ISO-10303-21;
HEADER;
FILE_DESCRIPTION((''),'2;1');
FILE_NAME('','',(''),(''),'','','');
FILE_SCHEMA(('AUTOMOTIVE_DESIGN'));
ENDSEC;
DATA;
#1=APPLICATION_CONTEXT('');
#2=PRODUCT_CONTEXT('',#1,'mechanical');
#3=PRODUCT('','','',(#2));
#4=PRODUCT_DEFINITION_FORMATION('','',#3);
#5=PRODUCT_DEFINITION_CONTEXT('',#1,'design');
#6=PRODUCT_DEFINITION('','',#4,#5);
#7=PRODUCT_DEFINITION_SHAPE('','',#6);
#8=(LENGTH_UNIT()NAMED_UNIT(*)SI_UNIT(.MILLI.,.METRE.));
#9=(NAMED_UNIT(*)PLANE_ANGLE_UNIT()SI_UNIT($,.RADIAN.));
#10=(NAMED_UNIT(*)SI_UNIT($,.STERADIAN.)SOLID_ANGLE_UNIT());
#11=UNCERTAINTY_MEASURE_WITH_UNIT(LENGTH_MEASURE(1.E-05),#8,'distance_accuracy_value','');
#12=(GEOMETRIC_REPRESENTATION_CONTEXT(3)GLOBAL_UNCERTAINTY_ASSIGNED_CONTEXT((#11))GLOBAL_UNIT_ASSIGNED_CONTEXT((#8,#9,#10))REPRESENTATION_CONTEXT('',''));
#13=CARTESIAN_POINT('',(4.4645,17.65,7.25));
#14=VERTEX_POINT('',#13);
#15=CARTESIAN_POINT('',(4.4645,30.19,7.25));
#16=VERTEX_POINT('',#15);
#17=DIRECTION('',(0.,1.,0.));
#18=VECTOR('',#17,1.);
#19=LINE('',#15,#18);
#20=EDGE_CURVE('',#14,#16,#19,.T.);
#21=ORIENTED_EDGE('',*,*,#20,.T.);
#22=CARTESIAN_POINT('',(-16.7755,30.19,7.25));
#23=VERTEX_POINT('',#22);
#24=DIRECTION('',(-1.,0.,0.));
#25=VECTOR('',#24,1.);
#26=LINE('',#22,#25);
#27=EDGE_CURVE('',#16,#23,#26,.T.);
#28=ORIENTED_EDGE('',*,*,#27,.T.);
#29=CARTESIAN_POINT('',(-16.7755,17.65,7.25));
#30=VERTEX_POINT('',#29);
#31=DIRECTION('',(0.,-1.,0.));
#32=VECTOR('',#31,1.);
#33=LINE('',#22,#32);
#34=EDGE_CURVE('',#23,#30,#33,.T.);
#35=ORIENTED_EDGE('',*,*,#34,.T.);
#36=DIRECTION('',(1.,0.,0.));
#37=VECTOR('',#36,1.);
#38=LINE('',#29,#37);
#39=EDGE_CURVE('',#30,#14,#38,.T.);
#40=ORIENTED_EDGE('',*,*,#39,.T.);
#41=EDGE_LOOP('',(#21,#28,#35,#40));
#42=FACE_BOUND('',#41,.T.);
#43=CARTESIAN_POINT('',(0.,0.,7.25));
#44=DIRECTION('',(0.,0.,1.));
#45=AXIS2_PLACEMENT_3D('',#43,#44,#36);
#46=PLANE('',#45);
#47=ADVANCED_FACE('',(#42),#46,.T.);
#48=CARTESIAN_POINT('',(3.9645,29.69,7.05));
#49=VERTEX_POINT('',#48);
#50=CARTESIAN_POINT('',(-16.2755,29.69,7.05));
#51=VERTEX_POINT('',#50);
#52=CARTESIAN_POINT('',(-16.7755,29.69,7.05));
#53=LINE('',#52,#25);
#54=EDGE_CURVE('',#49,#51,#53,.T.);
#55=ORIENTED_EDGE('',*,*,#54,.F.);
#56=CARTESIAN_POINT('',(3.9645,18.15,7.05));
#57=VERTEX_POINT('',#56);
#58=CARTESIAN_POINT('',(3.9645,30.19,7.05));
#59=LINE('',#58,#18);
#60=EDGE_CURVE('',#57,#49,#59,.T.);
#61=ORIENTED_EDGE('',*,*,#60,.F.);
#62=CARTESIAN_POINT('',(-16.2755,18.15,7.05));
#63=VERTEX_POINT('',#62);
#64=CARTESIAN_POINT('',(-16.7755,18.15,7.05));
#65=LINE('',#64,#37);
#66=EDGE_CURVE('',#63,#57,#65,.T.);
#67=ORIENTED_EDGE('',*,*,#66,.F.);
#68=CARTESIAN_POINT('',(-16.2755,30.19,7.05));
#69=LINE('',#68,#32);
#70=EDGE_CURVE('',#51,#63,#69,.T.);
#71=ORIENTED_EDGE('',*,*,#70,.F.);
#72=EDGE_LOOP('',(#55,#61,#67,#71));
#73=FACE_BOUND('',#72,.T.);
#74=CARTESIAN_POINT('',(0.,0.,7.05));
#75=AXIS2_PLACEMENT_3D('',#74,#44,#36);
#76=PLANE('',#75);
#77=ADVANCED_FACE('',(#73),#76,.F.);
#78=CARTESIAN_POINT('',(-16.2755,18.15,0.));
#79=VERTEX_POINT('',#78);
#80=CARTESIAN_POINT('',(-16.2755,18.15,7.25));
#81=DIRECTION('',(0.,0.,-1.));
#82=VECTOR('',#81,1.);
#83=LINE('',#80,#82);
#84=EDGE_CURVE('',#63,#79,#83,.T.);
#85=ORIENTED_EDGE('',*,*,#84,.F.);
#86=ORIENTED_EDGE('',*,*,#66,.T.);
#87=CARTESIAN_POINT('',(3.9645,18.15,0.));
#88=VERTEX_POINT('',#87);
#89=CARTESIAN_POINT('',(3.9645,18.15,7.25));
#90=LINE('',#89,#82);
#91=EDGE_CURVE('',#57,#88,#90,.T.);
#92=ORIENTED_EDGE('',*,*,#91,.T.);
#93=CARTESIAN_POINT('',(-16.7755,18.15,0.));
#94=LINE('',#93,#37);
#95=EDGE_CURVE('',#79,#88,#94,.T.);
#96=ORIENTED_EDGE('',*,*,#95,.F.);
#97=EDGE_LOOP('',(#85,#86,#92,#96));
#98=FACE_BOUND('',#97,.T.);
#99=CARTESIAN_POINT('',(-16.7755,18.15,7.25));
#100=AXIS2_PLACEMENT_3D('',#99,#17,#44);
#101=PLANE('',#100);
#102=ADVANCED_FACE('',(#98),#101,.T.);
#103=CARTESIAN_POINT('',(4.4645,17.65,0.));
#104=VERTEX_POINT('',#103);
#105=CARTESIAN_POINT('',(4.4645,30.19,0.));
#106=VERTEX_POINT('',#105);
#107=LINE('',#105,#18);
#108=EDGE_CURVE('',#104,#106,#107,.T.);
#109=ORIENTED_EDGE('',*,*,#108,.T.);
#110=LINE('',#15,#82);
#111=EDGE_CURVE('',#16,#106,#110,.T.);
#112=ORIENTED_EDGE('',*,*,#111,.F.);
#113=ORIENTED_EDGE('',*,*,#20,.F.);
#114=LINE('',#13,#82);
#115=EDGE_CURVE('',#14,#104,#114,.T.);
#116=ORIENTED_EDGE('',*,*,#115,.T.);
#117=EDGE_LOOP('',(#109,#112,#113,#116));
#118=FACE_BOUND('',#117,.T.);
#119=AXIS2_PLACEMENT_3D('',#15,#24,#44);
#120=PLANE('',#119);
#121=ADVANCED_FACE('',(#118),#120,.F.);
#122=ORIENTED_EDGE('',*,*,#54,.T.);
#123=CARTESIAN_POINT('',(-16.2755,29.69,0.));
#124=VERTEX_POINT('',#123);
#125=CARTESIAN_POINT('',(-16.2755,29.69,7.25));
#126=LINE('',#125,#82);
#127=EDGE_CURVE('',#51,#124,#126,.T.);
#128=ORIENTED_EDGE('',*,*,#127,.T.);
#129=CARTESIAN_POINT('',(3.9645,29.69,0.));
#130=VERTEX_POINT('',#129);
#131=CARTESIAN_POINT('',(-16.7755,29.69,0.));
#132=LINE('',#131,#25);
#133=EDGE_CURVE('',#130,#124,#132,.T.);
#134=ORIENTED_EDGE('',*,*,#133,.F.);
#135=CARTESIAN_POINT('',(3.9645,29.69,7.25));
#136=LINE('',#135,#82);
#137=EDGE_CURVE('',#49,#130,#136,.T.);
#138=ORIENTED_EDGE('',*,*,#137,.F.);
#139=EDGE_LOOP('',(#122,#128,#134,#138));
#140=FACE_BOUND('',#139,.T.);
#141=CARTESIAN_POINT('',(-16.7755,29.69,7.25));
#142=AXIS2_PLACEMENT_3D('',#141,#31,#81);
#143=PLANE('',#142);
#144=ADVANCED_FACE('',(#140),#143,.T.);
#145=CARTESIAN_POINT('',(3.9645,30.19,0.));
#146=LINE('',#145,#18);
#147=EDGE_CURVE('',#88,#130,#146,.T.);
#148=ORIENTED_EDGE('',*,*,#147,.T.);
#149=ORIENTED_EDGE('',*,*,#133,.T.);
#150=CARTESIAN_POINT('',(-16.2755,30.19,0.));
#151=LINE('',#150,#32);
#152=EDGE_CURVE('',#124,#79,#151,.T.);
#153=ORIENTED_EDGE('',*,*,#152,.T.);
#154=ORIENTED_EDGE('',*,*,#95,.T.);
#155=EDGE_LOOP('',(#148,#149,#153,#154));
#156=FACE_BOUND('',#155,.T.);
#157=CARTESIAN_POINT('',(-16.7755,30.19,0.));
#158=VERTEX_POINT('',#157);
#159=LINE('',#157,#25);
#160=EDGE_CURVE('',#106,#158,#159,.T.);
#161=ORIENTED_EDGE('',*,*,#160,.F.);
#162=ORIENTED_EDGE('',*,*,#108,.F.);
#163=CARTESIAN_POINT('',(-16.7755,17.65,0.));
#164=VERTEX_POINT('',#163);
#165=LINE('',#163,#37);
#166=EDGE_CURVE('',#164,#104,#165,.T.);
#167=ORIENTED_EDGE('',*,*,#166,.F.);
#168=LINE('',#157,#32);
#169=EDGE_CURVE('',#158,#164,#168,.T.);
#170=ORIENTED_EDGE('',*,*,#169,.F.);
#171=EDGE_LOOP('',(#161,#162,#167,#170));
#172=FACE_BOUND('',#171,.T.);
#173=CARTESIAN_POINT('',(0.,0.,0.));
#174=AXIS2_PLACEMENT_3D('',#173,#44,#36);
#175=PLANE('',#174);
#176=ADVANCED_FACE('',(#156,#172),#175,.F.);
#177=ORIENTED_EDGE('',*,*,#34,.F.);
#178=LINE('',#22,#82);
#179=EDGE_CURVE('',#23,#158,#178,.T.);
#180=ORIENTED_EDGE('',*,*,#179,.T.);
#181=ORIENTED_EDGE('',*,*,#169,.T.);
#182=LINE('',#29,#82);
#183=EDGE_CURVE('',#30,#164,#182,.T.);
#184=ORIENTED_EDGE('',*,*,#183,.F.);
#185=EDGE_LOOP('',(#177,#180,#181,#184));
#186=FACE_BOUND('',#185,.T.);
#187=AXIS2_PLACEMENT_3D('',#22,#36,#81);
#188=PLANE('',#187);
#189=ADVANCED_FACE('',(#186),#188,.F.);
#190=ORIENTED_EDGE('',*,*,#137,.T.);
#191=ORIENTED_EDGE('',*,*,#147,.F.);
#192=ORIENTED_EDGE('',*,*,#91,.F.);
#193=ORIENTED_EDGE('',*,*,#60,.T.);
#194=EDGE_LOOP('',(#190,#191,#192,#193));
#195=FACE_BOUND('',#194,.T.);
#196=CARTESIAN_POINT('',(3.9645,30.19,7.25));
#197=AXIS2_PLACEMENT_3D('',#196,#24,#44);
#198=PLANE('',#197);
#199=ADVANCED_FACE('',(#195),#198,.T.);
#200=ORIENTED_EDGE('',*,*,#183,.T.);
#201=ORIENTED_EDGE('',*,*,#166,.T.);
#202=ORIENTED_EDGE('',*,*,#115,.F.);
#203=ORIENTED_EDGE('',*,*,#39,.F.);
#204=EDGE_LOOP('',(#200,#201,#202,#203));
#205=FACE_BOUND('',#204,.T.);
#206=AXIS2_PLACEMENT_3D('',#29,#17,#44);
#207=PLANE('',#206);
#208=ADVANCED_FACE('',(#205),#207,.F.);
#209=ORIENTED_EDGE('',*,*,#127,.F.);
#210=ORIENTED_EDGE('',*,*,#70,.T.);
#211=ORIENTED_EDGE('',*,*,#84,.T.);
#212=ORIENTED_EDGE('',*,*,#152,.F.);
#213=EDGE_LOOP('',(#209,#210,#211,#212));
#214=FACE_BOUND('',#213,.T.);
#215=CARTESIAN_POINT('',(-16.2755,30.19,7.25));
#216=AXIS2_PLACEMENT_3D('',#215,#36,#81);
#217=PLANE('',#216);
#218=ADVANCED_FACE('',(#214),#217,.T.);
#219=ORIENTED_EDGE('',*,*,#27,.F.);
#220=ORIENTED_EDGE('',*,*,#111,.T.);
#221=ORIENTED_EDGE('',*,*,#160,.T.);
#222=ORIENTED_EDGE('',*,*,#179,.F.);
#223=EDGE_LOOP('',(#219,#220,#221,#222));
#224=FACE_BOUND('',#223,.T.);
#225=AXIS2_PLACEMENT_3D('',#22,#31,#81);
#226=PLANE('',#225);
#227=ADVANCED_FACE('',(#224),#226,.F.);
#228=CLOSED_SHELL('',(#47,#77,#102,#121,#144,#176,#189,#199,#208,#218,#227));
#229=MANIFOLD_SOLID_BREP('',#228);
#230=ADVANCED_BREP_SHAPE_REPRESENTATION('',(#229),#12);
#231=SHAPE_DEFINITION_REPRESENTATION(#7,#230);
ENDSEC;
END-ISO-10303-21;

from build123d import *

# Parameters (mm, degrees)
SKETCH1_W                 = 21.24
SKETCH1_H                 = 12.54
BOSS_EXTRUDE1_DEPTH       = 7.25
SHELL1_T                  = -0.5
SHELL1_THICKNESS_2_FACE_W = 20.24
SHELL1_THICKNESS_2_FACE_H = 11.54
SHELL1_THICKNESS_2_DEPTH  = 0.3


with BuildPart() as part:
    # Sketch1 → Boss-Extrude1 (new body)
    with BuildSketch(Plane.XY):
        with Locations((-6.1555, 23.92)):
            Rectangle(SKETCH1_W, SKETCH1_H)
    extrude(amount=BOSS_EXTRUDE1_DEPTH)

    # Shell1
    shell1_openings = [part.faces().sort_by_distance(p)[0] for p in [
        (-6.1555, 23.92, 0),
    ]]
    offset(amount=SHELL1_T, openings=shell1_openings, kind=Kind.INTERSECTION)

    # Shell1 thickness 2 face (on inner face of the shell) → Shell1 thickness 2 (cut)
    with BuildSketch(Plane(origin=(-6.1555, 23.92, 6.75), x_dir=(1, 0, 0), z_dir=(0, 0, 1))):
        Rectangle(SHELL1_THICKNESS_2_FACE_W, SHELL1_THICKNESS_2_FACE_H)
    extrude(amount=SHELL1_THICKNESS_2_DEPTH, mode=Mode.SUBTRACT)


solid = part.part
